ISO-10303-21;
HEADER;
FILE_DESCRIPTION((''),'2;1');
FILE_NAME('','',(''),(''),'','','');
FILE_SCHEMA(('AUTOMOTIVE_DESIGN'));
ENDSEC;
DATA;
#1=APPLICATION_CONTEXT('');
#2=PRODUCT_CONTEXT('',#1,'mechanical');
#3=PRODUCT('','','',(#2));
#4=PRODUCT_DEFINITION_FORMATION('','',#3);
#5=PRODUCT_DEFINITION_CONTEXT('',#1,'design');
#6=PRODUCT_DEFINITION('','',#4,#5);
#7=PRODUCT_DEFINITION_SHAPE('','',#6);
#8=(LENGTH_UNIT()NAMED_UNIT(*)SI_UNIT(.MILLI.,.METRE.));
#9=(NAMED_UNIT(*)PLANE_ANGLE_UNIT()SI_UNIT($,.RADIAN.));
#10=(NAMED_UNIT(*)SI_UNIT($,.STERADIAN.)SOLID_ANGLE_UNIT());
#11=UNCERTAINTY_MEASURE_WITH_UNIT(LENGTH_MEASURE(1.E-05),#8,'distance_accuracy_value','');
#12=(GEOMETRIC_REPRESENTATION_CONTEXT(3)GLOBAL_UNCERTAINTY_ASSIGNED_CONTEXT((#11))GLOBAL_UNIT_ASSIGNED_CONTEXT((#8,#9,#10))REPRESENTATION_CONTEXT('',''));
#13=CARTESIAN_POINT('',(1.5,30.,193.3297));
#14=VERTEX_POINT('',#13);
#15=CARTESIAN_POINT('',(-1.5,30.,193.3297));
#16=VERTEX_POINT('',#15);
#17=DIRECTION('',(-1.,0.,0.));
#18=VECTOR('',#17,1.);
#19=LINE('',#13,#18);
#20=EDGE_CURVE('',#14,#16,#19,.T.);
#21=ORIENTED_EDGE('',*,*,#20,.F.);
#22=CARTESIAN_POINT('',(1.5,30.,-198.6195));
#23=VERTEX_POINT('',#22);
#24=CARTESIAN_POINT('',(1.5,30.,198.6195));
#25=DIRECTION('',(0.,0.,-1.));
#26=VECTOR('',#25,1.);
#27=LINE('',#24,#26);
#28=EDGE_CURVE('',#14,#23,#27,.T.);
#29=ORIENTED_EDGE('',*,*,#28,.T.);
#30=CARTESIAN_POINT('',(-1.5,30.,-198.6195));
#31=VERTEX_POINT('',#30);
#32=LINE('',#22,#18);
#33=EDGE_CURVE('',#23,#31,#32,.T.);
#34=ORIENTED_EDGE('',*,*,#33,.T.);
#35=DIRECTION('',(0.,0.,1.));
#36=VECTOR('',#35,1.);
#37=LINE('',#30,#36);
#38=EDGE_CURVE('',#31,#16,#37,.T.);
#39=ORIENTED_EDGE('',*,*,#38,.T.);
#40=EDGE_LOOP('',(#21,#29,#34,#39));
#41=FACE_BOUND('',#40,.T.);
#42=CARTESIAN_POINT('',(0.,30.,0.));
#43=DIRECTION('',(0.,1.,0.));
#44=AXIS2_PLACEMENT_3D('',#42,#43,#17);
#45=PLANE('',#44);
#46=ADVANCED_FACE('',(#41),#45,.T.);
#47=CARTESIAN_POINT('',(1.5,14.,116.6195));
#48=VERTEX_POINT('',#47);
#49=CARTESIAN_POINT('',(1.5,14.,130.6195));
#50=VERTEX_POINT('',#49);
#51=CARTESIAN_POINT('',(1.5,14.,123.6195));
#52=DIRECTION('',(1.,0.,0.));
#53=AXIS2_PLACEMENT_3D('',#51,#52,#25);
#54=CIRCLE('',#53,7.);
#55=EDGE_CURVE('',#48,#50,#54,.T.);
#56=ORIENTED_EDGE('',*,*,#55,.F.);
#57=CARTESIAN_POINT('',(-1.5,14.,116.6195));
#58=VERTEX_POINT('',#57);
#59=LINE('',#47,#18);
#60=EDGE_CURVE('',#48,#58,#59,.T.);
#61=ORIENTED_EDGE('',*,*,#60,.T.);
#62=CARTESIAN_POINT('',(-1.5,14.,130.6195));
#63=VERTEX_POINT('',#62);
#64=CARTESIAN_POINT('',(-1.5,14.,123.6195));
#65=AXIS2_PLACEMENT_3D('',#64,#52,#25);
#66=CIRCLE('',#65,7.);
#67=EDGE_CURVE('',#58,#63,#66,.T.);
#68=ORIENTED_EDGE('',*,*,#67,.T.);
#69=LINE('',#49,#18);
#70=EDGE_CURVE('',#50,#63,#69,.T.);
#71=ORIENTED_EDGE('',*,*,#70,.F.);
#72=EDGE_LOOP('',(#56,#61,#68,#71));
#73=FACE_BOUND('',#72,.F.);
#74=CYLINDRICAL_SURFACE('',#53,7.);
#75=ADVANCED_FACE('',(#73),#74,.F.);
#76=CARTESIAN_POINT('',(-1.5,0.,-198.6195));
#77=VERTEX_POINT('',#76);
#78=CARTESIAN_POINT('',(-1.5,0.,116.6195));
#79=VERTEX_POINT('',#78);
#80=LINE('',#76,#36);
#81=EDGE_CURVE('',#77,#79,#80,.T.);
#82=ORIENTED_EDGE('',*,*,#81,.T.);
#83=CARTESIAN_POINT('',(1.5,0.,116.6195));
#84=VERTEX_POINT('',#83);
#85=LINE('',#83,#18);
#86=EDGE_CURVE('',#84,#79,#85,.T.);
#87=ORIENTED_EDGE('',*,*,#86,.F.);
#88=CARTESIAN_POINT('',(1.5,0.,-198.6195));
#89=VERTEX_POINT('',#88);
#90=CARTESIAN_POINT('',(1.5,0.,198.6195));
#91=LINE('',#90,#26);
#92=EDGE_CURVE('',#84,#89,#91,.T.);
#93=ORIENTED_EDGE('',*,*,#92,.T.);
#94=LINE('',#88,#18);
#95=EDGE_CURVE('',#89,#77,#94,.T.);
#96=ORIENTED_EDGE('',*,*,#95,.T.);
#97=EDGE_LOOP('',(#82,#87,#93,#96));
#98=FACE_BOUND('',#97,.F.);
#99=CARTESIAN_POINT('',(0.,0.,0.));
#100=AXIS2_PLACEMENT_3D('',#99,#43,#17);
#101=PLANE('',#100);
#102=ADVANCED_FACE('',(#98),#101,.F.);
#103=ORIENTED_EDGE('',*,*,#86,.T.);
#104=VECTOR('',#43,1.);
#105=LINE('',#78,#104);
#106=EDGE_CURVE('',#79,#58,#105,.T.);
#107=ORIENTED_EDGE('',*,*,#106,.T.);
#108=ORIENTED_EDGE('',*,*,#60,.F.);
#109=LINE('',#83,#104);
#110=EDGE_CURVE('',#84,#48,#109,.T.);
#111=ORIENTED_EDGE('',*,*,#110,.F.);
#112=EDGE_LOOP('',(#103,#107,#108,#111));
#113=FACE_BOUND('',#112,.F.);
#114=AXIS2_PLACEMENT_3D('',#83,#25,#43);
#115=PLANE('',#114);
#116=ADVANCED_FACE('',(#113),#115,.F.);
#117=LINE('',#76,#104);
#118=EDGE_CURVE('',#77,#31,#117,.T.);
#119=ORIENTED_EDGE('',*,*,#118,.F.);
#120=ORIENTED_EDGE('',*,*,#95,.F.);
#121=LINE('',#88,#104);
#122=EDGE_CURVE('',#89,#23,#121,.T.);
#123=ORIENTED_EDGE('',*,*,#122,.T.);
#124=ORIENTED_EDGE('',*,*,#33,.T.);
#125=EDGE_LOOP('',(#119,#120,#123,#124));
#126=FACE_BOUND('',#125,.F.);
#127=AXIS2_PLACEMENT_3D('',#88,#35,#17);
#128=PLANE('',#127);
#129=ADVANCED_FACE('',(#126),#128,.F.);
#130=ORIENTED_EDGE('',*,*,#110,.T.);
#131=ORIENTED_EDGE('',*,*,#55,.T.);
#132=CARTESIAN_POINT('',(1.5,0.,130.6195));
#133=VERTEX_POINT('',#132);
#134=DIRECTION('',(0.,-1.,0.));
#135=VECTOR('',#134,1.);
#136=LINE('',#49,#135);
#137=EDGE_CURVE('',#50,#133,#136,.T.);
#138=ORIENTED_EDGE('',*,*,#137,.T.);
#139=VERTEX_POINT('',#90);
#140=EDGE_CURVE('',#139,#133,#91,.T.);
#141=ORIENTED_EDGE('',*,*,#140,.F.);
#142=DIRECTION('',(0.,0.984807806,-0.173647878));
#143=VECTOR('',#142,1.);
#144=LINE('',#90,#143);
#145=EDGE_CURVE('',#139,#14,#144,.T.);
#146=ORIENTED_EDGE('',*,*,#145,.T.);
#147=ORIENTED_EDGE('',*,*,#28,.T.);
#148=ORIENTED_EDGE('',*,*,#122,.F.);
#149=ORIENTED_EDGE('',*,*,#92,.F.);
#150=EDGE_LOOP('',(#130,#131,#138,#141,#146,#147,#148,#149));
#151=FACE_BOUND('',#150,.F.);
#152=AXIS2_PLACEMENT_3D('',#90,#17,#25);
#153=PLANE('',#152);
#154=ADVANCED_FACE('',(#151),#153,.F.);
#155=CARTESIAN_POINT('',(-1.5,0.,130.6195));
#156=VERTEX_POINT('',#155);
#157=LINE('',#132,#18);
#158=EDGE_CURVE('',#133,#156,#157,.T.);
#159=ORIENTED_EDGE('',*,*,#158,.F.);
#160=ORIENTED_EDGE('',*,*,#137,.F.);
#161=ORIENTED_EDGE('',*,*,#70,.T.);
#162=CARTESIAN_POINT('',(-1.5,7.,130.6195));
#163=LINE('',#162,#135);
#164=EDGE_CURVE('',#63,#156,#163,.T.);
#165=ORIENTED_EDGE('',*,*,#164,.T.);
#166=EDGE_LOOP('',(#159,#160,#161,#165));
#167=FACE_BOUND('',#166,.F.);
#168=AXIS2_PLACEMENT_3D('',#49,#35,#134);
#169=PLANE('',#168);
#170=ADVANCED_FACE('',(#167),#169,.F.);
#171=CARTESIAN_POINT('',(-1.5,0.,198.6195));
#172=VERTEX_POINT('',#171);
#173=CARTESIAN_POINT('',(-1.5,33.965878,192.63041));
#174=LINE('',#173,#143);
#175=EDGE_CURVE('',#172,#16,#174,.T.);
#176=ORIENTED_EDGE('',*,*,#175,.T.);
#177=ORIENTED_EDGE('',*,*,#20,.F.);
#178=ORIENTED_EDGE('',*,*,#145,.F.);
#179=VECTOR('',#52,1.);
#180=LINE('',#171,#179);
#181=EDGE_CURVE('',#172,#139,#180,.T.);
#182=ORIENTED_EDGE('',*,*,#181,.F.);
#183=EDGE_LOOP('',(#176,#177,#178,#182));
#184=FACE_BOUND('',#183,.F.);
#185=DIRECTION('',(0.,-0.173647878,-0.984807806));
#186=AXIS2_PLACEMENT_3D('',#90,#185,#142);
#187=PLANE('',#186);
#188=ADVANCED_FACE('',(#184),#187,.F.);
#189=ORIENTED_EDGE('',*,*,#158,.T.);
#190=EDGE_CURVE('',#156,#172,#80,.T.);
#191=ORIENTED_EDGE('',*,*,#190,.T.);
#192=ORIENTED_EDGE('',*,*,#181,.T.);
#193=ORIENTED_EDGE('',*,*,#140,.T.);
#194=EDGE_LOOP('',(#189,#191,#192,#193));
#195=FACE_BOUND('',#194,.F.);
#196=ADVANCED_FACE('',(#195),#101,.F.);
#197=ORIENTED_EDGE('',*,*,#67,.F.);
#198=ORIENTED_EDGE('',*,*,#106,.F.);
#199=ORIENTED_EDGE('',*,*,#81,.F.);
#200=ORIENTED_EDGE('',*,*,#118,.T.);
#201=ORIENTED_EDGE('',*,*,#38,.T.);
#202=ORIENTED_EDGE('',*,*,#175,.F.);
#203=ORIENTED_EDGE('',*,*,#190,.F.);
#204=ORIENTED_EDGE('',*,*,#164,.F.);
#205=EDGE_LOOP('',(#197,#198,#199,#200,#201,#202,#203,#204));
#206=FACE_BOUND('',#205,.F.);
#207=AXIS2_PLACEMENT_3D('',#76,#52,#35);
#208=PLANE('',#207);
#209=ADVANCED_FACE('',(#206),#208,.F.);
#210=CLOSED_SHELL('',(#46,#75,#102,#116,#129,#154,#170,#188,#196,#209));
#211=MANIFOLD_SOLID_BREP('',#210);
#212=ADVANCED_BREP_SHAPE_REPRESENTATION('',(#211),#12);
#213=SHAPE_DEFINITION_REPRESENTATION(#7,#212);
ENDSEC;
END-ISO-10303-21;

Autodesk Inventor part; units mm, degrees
ref_plane "YZ Plane" through (0, 0, 0) normal (1, 0, 0) x (0, 1, 0)
ref_plane "XZ Plane" through (0, 0, 0) normal (0, 1, 0) x (-1, 0, 0)
ref_plane "XY Plane" through (0, 0, 0) normal (0, 0, 1) x (1, 0, 0)
sketch "Sketch2" plane through (0, 0, 0) normal (0, 1, 0) x (-1, 0, 0)
  line L0 (-1.5, -198.6195) -> (1.5, -198.6195)
  line L1 (1.5, -198.6195) -> (1.5, 198.6195)
  line L2 (1.5, 198.6195) -> (-1.5, 198.6195)
  line L3 (-1.5, 198.6195) -> (-1.5, -198.6195)
  line L4 (-1.5, -198.6195) -> (1.5, 198.6195) construction
  line L5 (1.5, -198.6195) -> (-1.5, 198.6195) construction
  point P0 (0, 0)
  dimension "d0" = 3
  dimension "d1" = 397.239
extrude "Extrusion1" add sketch "Sketch2" along normal blind 30
sketch "Sketch3" plane through (1.5, 0, 198.6195) normal (1, 0, 0) x (0, 0, -1)
  line L0 (397.239, 0) -> (0, 0) projected
  line L1 (68, 0) -> (82, 0)
  line L2 (82, 0) -> (82, 14)
  line L3 (68, 14) -> (68, 0)
  arc A0 (82, 14) -> (68, 14) centre (75, 14) ccw
  arc A1 (68, 14) -> (82, 14) centre (75, 14) ccw construction
  line L4 (0, 0) -> (0, 30) projected
  point P0 (198.6195, 0)
  dimension "d4" = 14
  dimension "d5" = 14
  dimension "d6" = 14
  dimension "d9" = 75
extrude "Extrusion2" cut sketch "Sketch3" against normal through all
sketch "Sketch4" plane through (1.5, 0, -198.6195) normal (1, 0, 0) x (0, 0, -1)
  line L0 (-329.239, 0) -> (-397.239, 0) projected
  line L1 (-397.239, 0) -> (-397.239, 30) projected
  line L2 (-397.239, 0) -> (-397.239, 30)
  line L3 (-397.239, 30) -> (-391.9492, 30)
  line L4 (-397.239, 30) -> (0, 30) projected
  line L5 (-397.239, 0) -> (-391.9492, 30)
  point P0 (-198.6195, 0)
  dimension "d10" = 10
extrude "Extrusion3" cut sketch "Sketch4" against normal through all
properties part number "wall-inner-plunger"
